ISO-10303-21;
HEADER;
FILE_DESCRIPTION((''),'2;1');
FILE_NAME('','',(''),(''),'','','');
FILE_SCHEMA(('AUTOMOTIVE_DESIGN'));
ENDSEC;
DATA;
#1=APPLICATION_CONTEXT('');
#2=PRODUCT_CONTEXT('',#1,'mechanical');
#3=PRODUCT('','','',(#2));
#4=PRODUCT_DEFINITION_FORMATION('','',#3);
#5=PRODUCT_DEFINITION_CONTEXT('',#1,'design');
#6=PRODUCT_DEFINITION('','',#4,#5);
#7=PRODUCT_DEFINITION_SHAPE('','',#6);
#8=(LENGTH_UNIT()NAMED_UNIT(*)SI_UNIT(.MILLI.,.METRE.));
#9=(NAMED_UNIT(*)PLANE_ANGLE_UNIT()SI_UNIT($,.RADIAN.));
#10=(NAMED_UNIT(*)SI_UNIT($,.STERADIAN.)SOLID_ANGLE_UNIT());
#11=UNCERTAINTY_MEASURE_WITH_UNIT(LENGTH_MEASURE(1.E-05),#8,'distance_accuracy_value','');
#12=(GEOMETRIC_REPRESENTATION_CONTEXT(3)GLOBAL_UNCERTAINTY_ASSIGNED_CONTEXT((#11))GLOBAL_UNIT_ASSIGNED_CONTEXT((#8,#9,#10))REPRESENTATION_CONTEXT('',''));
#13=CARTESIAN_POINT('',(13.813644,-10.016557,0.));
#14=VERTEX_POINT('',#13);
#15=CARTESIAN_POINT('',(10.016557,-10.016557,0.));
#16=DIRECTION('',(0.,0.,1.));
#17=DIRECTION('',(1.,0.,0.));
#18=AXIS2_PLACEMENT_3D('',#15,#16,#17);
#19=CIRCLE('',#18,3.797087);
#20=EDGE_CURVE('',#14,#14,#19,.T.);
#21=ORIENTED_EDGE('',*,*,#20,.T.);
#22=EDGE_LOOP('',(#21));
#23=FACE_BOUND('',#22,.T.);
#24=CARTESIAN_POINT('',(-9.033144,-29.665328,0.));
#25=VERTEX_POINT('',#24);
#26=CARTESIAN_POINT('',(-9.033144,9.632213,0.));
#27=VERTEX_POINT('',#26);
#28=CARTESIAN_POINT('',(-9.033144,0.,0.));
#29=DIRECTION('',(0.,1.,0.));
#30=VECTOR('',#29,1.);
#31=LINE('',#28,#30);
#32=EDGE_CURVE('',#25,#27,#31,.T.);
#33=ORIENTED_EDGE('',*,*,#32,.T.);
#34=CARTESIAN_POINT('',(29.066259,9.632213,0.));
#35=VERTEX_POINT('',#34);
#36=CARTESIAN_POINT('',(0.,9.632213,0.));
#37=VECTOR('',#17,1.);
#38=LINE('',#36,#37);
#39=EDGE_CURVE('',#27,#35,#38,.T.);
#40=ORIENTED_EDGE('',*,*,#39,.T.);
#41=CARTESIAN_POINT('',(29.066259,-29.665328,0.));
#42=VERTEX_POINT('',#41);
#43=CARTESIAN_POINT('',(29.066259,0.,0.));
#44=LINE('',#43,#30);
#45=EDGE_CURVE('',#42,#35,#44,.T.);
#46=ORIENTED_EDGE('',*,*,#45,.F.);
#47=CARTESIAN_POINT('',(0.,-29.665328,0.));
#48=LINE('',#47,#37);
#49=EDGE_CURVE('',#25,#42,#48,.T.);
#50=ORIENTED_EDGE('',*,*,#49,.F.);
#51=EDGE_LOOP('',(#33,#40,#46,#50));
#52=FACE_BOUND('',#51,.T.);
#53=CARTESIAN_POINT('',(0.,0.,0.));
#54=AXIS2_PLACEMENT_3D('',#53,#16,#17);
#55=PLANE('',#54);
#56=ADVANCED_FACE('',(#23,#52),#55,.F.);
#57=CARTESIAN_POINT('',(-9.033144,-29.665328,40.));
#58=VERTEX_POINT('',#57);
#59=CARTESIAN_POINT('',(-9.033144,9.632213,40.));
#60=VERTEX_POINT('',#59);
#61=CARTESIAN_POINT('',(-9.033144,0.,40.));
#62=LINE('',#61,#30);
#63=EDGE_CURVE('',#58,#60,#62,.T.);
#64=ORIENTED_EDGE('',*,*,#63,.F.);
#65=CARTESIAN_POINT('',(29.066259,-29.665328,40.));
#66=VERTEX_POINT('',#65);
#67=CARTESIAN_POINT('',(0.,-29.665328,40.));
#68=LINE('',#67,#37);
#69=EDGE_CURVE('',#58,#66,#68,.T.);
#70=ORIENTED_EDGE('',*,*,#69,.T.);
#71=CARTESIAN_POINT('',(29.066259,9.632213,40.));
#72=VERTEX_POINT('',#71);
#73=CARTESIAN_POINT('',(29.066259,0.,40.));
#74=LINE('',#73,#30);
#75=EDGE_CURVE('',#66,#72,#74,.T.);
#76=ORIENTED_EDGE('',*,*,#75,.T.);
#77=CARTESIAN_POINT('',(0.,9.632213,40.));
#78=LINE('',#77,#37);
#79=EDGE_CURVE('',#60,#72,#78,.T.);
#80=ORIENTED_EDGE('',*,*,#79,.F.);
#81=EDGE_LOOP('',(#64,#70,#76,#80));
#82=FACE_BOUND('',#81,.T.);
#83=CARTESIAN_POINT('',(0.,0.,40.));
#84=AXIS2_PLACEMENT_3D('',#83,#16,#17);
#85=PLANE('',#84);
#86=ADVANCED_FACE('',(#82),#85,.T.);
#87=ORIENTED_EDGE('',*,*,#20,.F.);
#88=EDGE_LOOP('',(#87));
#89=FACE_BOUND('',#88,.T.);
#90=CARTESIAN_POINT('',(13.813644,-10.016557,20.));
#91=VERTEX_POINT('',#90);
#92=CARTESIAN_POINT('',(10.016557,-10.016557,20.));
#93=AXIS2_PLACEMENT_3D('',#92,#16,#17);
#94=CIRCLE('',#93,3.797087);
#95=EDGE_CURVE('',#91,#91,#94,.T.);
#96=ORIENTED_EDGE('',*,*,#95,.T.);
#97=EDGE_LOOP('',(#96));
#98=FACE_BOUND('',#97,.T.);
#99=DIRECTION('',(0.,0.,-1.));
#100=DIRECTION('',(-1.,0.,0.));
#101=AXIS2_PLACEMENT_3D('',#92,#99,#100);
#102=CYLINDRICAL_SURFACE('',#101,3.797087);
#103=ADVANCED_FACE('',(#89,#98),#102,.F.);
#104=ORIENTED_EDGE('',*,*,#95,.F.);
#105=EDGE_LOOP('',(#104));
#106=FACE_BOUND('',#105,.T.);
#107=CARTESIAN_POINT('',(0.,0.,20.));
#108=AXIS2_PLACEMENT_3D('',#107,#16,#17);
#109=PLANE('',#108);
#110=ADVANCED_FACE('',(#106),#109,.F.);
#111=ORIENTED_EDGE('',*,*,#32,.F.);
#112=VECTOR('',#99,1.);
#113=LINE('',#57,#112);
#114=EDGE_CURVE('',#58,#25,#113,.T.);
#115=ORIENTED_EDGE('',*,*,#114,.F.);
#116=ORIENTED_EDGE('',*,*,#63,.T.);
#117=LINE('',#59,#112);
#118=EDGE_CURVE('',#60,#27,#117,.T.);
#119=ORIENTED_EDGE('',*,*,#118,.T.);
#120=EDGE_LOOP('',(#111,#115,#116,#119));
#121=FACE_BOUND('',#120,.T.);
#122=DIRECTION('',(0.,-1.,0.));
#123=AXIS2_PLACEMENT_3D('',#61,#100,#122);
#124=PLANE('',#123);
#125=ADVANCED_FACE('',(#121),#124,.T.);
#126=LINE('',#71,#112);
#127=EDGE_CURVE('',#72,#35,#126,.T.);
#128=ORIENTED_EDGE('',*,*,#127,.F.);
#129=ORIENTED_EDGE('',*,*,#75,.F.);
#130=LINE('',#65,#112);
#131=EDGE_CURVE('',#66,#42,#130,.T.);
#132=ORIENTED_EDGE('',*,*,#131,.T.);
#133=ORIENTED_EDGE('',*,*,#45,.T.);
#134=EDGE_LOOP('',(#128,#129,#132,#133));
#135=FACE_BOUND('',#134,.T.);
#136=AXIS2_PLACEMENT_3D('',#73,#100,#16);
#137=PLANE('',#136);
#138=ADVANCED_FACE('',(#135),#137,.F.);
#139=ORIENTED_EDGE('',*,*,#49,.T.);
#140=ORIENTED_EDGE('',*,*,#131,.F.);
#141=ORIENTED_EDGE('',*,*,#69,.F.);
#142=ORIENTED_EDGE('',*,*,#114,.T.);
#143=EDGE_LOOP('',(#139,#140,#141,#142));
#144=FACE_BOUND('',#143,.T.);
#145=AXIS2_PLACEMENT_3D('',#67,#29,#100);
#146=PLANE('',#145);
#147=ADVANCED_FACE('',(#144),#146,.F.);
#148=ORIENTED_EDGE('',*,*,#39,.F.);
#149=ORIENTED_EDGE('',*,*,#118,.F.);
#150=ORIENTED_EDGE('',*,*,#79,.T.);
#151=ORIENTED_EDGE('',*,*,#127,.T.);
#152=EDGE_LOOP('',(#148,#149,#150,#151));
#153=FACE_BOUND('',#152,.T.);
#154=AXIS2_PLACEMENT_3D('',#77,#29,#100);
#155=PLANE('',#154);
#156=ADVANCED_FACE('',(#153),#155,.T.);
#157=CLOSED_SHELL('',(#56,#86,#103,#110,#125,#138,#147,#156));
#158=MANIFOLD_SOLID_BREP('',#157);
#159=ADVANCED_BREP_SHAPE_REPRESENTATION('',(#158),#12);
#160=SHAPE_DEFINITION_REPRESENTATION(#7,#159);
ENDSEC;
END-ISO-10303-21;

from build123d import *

# Parameters (mm, degrees)
SKETCH1_W           = 38.09940225
SKETCH1_H           = 39.297540676
BOSS_EXTRUDE1_DEPTH = 40
SKETCH1_3_R         = 3.7970867
CUT_EXTRUDE1_DEPTH  = 20


with BuildPart() as part:
    # Sketch1 → Boss-Extrude1 (new body)
    with BuildSketch(Plane.XY):
        with Locations((10.016557459, -10.016557459)):
            Rectangle(SKETCH1_W, SKETCH1_H)
    extrude(amount=BOSS_EXTRUDE1_DEPTH)

    # Sketch1<3> → Cut-Extrude1 (cut)
    with BuildSketch(Plane.XY):
        with Locations((10.016557459, -10.016557459)):
            Circle(SKETCH1_3_R)
    extrude(amount=CUT_EXTRUDE1_DEPTH, mode=Mode.SUBTRACT)


solid = part.part
